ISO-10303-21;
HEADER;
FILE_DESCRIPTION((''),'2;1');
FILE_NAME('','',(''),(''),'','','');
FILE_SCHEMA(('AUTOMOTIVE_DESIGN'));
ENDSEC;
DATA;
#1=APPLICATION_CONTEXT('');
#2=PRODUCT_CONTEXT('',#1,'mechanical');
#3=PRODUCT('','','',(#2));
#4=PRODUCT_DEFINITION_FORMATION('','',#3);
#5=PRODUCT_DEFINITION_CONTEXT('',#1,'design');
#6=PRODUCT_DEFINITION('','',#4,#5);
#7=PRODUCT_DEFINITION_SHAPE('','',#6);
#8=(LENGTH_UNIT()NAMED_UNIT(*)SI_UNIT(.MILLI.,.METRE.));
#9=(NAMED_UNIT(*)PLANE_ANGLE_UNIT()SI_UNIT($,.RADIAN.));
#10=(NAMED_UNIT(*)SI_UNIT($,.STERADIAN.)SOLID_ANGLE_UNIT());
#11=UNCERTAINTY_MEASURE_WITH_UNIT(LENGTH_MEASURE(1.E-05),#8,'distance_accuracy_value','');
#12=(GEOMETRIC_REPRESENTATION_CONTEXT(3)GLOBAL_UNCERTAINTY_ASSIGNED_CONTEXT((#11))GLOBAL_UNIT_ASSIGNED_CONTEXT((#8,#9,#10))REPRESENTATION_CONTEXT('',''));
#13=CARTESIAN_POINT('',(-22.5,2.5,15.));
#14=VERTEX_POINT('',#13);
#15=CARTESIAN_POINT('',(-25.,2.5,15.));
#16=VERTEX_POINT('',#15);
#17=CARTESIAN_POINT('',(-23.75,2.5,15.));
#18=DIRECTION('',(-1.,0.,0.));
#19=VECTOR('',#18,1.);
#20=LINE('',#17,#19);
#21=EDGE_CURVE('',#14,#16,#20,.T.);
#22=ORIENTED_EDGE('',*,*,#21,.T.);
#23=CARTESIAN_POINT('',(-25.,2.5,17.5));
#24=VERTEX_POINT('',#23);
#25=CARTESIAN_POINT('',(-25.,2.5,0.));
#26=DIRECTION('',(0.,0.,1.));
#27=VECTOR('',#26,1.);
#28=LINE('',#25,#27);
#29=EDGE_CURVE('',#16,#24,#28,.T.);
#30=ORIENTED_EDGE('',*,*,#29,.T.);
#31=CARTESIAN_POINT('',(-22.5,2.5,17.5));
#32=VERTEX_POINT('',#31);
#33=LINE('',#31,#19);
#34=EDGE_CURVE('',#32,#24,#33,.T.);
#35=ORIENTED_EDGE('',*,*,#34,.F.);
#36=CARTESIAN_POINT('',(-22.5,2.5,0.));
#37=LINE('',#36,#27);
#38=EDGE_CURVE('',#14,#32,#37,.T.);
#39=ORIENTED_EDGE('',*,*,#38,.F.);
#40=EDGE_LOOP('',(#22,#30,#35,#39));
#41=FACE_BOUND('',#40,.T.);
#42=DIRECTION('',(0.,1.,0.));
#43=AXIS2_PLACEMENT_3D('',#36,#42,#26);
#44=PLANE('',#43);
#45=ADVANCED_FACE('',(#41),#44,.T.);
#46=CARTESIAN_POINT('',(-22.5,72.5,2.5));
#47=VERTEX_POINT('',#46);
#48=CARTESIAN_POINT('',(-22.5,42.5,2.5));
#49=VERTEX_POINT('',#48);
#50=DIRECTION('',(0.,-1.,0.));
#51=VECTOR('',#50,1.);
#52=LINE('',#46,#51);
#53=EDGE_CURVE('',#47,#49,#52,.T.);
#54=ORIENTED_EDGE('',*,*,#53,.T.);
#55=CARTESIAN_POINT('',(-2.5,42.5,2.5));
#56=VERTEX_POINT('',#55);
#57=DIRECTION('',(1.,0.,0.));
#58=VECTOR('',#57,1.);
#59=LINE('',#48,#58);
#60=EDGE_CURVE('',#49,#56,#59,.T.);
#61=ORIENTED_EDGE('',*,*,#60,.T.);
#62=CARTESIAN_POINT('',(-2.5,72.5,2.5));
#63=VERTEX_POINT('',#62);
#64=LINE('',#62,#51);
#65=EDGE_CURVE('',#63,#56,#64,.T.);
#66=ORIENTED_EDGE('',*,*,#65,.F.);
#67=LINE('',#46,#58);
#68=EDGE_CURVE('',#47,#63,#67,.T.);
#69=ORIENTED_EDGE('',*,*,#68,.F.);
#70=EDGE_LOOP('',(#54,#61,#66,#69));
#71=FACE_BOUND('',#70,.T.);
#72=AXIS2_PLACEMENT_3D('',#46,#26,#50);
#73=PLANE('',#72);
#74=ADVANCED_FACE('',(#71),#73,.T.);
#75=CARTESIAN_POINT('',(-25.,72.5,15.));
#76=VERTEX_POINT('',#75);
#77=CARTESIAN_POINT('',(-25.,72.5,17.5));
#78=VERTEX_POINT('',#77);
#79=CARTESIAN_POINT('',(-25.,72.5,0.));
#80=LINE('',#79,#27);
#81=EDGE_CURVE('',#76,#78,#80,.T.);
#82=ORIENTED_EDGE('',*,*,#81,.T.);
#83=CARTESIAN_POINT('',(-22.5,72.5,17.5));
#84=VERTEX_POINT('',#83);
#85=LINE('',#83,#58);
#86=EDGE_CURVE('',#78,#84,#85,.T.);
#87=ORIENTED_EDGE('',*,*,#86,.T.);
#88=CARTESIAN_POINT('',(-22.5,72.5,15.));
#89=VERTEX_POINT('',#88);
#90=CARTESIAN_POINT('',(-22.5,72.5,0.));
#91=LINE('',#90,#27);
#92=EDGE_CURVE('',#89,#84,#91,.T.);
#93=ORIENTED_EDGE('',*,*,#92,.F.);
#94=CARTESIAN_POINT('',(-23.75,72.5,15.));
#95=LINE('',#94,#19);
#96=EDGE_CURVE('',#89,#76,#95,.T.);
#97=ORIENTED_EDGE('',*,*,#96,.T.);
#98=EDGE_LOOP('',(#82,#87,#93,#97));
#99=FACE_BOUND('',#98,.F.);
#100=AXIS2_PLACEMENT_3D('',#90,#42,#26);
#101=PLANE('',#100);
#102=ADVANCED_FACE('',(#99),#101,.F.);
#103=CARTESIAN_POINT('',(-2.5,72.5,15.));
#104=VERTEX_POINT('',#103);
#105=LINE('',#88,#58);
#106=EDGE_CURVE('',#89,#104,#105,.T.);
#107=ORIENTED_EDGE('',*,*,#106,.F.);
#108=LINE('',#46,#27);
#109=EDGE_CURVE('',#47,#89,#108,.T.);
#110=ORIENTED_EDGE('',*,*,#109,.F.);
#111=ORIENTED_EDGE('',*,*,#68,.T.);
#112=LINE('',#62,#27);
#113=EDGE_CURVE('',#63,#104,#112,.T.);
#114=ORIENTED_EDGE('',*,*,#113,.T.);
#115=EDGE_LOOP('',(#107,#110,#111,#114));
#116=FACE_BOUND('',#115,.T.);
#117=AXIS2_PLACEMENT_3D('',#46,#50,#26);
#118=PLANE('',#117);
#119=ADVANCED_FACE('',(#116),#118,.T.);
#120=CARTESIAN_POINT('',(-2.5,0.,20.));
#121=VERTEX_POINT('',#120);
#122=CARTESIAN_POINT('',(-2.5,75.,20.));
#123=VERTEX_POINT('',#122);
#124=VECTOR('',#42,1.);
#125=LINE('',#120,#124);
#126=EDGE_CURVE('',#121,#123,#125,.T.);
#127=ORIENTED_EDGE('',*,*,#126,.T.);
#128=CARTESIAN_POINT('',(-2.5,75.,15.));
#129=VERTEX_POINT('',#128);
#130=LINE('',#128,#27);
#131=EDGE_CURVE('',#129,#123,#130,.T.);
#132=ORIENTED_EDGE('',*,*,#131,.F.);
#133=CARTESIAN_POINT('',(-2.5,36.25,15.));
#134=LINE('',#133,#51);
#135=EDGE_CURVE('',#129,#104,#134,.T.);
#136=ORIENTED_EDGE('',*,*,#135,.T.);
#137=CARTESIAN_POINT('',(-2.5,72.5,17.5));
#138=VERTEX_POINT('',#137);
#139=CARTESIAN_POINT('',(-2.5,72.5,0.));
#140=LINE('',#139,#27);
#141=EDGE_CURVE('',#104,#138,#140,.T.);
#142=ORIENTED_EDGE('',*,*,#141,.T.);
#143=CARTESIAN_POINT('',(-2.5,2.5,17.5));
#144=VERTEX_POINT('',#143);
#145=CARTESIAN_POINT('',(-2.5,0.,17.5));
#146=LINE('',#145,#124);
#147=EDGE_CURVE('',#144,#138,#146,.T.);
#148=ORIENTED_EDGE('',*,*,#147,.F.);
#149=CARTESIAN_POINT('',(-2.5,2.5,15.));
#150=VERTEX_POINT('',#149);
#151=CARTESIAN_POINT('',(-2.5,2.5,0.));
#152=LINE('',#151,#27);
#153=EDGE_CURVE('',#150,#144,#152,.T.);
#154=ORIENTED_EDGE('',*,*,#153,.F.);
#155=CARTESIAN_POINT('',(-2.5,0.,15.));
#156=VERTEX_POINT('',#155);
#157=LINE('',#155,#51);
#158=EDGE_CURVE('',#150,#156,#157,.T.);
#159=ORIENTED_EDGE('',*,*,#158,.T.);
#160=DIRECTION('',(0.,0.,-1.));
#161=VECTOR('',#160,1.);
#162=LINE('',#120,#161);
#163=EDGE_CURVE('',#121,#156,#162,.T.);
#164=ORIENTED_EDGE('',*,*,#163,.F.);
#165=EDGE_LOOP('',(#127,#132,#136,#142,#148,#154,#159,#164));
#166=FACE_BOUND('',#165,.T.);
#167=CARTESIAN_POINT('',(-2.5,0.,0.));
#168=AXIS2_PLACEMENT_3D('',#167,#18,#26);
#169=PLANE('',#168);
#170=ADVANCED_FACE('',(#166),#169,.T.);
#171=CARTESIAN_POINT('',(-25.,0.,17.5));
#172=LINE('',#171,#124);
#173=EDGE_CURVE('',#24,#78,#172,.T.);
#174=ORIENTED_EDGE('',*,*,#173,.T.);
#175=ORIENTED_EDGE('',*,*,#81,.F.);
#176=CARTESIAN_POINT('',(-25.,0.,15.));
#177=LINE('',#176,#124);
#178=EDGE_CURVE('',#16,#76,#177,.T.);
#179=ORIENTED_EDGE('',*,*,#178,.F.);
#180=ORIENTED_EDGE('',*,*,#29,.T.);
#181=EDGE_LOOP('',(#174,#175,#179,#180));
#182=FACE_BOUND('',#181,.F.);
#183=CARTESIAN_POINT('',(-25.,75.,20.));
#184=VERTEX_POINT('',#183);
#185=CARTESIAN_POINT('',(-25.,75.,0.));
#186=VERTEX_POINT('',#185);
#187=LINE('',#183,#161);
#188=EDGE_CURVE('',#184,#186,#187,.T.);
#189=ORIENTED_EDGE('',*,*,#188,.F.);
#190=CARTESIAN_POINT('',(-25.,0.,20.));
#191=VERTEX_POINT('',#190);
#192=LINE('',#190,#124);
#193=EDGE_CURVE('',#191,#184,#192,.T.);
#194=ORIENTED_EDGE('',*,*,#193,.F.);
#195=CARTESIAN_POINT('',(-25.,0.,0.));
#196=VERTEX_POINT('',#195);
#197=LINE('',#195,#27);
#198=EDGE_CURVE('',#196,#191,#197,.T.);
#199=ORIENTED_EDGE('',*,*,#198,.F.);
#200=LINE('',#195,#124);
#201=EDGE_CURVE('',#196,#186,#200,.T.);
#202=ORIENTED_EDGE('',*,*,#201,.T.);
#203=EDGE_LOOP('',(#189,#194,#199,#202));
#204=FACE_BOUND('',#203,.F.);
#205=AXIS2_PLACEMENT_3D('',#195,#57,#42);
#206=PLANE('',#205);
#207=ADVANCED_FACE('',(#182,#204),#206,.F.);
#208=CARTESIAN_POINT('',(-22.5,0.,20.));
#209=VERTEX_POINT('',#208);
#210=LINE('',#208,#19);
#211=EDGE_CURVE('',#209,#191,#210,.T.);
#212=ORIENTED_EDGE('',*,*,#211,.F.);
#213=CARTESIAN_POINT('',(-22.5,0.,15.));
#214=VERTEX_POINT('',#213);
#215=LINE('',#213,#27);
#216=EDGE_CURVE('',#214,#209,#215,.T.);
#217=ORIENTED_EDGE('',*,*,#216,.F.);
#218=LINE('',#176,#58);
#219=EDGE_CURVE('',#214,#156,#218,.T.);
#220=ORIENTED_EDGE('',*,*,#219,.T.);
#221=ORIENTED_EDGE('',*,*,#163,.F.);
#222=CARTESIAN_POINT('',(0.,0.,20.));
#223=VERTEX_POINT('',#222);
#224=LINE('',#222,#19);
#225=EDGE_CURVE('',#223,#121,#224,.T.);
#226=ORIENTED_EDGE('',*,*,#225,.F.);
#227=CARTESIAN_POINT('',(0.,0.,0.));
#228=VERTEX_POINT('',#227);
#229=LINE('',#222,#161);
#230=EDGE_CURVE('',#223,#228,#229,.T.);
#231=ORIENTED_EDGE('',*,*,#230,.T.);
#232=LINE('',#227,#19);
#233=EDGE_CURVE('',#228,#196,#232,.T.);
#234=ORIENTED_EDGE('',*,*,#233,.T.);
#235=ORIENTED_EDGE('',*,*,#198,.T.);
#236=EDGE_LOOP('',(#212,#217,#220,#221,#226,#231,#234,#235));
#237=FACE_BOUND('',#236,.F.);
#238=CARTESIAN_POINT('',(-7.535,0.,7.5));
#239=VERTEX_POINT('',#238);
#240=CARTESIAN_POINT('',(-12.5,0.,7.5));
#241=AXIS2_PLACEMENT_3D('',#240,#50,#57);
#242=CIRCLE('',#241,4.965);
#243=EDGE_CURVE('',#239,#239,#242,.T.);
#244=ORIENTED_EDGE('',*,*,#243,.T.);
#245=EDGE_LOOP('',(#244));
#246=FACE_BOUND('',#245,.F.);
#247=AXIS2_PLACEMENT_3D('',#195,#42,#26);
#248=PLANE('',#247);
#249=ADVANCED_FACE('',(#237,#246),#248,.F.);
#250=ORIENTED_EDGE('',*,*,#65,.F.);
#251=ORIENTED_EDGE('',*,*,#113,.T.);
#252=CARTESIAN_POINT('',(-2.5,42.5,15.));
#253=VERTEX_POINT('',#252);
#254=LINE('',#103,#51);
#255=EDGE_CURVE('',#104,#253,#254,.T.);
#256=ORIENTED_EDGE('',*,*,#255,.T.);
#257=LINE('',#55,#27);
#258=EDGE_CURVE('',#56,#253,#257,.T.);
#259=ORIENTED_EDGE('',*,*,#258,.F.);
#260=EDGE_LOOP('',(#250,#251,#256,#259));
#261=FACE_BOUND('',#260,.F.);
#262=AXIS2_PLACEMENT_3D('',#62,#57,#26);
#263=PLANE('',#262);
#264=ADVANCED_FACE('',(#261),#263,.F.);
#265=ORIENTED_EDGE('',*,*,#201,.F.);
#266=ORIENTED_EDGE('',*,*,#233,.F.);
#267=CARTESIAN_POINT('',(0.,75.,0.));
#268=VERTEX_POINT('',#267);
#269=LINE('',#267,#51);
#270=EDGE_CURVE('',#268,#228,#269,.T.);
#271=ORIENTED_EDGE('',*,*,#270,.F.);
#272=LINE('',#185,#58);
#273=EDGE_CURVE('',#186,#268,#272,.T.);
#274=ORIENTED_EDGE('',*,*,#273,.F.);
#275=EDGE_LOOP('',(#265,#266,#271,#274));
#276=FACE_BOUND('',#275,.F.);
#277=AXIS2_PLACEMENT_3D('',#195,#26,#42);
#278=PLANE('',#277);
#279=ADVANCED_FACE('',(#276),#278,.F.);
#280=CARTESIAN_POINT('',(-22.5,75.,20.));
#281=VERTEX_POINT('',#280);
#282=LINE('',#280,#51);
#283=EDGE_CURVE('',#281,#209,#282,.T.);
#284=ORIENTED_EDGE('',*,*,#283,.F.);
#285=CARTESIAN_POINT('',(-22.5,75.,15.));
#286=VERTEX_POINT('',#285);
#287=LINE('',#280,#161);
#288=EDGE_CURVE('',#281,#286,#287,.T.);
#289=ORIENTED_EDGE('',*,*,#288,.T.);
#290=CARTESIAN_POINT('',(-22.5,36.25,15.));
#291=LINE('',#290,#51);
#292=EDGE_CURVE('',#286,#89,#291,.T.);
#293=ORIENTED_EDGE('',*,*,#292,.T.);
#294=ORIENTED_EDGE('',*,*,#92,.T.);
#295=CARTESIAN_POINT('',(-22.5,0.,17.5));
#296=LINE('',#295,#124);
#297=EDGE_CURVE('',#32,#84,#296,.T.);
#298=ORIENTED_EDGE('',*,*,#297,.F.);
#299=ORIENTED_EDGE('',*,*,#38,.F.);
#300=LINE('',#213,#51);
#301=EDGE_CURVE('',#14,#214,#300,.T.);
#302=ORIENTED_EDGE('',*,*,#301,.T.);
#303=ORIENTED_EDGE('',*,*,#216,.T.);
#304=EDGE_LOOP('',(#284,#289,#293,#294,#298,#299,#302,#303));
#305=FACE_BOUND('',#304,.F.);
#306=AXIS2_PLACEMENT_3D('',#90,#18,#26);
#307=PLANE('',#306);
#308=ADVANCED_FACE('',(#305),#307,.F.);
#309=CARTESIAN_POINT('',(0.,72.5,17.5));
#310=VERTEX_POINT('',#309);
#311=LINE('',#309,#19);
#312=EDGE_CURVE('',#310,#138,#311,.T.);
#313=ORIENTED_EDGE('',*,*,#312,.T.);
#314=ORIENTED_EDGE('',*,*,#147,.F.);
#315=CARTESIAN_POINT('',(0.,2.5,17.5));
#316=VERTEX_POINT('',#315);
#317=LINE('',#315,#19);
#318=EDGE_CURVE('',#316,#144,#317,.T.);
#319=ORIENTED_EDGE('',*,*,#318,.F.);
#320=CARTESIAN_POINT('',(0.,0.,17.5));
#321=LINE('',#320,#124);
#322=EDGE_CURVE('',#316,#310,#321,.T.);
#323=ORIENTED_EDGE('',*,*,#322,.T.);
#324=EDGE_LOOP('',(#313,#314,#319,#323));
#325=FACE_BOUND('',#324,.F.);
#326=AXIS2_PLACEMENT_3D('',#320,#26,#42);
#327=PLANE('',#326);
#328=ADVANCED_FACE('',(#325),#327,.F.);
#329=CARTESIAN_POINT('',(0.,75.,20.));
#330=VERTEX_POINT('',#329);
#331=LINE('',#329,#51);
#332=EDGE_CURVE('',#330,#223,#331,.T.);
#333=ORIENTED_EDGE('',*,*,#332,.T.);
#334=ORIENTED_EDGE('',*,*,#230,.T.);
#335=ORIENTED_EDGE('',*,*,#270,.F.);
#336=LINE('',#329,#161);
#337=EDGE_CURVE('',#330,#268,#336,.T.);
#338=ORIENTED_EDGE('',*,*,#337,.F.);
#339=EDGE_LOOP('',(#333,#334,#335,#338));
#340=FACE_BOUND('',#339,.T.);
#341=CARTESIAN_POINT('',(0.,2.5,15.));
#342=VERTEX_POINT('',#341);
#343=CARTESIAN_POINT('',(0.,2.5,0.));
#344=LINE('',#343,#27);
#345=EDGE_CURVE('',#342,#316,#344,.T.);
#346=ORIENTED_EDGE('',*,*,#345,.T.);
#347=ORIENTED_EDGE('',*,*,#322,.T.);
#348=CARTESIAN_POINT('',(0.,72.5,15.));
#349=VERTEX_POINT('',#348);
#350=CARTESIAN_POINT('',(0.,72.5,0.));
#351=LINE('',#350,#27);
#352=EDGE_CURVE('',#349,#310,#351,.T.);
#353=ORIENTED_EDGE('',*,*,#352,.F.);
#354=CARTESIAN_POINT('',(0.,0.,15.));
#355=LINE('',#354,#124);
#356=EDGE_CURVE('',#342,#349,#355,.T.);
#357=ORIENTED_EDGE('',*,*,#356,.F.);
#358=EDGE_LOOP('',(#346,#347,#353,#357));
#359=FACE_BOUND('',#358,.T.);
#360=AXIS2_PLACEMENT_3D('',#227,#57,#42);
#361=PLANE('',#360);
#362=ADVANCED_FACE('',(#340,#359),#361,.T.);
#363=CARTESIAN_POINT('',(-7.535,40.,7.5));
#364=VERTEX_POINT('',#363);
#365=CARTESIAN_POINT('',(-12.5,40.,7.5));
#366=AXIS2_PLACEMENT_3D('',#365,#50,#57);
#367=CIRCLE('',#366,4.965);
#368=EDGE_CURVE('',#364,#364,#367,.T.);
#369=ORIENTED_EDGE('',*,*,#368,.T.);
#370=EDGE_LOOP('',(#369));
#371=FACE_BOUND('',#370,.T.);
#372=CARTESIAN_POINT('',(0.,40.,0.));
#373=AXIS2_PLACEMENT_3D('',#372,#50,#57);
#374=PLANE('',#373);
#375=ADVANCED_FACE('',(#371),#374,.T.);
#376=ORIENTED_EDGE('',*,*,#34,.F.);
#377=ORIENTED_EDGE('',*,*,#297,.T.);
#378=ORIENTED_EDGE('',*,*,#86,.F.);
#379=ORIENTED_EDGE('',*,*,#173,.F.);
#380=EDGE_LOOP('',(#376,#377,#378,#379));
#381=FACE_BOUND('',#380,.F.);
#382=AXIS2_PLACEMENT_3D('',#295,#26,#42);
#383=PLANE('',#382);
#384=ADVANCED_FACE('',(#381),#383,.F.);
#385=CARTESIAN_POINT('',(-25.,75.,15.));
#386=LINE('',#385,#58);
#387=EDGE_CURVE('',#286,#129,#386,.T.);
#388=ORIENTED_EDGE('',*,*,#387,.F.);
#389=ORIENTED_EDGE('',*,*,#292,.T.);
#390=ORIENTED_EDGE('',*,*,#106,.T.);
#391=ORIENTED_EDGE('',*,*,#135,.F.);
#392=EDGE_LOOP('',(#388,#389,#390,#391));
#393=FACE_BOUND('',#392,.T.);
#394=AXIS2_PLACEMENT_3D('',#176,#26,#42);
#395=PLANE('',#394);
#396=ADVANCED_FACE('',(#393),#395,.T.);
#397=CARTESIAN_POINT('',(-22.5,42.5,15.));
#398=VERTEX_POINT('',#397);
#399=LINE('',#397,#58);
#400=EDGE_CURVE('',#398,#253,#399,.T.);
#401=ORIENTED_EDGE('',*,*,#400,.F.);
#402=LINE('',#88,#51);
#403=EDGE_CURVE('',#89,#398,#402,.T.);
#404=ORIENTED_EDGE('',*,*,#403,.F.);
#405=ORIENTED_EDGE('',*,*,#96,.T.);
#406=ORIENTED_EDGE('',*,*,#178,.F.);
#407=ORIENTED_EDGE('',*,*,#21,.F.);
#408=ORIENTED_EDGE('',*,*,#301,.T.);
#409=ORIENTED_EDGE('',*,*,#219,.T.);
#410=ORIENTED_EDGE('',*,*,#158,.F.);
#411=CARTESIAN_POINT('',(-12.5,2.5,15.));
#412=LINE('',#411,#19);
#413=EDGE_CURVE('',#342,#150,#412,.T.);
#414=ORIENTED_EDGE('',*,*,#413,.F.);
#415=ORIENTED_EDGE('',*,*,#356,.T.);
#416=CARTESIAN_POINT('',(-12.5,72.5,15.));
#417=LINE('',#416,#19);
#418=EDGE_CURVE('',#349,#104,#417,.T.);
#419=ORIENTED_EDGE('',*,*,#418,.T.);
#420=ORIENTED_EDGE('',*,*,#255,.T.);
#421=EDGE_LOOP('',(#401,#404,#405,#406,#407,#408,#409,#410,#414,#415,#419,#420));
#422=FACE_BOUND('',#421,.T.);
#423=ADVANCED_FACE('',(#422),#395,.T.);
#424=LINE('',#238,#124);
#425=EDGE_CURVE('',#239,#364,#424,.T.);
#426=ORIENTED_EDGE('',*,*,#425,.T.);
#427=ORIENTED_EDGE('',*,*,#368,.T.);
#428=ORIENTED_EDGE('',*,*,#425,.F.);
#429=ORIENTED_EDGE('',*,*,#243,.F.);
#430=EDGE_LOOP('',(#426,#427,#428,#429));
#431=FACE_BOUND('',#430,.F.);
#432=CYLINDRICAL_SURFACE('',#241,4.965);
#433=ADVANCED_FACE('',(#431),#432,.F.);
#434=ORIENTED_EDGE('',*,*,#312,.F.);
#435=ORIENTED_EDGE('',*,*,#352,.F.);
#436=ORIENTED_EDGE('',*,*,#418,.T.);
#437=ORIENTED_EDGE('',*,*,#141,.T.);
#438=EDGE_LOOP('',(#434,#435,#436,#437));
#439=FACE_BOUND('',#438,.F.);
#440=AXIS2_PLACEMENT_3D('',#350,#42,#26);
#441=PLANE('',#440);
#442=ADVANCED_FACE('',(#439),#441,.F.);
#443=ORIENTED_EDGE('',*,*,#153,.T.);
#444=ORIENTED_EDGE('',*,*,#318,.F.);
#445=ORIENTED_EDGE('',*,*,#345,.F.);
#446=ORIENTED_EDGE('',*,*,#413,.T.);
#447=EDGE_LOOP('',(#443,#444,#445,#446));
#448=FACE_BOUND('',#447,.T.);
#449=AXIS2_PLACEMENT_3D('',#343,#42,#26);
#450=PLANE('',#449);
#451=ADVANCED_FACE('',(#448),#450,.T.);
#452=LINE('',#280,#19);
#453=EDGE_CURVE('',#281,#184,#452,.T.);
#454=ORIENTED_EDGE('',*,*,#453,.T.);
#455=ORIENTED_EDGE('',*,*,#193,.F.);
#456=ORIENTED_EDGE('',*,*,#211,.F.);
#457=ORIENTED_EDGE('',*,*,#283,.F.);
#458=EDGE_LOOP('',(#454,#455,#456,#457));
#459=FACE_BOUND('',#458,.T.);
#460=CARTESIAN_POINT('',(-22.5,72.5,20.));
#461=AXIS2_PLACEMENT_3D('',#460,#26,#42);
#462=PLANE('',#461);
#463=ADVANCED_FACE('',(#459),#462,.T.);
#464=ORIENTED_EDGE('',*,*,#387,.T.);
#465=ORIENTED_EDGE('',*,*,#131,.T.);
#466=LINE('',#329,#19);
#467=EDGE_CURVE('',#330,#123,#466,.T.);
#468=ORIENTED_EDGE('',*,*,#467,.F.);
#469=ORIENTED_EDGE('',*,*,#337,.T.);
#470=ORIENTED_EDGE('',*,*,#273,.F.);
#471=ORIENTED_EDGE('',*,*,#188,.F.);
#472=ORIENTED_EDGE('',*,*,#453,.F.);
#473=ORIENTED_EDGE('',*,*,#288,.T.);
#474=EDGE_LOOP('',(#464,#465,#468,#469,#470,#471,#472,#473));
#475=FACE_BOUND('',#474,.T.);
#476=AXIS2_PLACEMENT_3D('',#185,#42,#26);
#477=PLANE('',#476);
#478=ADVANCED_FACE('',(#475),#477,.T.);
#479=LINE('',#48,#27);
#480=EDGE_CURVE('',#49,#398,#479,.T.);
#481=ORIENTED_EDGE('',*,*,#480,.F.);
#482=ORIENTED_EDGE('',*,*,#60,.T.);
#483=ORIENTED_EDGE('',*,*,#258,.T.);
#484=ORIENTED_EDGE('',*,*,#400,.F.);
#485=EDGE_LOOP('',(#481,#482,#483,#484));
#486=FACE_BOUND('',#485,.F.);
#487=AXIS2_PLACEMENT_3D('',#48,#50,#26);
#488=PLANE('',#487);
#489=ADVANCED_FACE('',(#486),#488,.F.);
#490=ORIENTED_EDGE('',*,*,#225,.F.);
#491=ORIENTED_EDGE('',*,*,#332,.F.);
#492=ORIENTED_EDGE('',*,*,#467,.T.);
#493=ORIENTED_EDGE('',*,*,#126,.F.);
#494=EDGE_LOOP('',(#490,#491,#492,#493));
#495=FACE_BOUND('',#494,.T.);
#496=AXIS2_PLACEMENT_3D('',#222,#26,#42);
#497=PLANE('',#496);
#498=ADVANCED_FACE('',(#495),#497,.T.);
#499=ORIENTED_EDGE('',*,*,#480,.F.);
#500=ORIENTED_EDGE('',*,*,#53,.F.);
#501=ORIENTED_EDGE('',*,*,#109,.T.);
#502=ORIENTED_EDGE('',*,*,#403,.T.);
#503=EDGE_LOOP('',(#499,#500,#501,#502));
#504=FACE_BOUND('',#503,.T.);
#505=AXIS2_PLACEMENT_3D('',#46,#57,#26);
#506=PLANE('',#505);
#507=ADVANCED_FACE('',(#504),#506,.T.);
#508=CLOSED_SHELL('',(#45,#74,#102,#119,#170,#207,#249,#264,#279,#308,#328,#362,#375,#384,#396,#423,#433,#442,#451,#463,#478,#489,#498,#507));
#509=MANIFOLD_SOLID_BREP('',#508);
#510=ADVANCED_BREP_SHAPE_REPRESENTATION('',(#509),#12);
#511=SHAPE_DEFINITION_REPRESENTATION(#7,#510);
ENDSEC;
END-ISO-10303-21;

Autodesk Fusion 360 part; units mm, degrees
sketch "Sketch2" plane through (0, 0, 0) normal (0, -1, 0) x (1, 0, 0)
  line L0 (-25, 15) -> (-25, 0)
  line L1 (-25, 0) -> (0, 0)
  line L2 (0, 0) -> (0, 15)
  line L3 (0, 15) -> (-25, 15)
  circle A0 centre (-12.5, 7.5) radius 4.965
  dimension "d7" = 9.93
box "BoxPrimitive2" add length 15 width 25 height 75 placed x (0, 0, 1) y (1, 0, 0) z (0, 1, 0) at (-25, 0, 0) makes body 1
extrude "Extrude1" cut sketch "Sketch2" against normal blind 40 contours A0 bodies 1
box "BoxPrimitive3" add length 30 width 20 height 12.5 placed x (0, -1, 0) y (1, 0, 0) z (0, 0, 1) at (-25, 75, 0) separate body makes body 2
move_body "Move1" bodies 2 to x (1, 0, 0) y (0, 1, 0) z (0, 0, 1) at (2.5, -2.5, 2.5)
combine "Combine1" operation cut target body 1 tool bodies 2
box "BoxPrimitive4" add length 2.5 width 2.5 height 20 placed x (0, 1, 0) y (-1, 0, 0) z (0, 0, 1) at (0, 0, 0) separate body makes body 3
copy_body "CopyPasteBodies1" bodies 3 makes body 4
move_body "Move2" bodies 4 to x (1, 0, 0) y (0, 1, 0) z (0, 0, 1) at (-22.5, 0, 0)
copy_body "CopyPasteBodies2" bodies 3 4 makes body 5 makes body 6
move_body "Move3" bodies 5 6 to x (1, 0, 0) y (0, 1, 0) z (0, 0, 1) at (0, 72.5, 0)
box "BoxPrimitive5" add length 75 width 2.5 height 2.5 placed x (0, 1, 0) y (-1, 0, 0) z (0, 0, 1) at (0, 0, 0) separate body makes body 7
move_body "Move4" bodies 7 to x (1, 0, 0) y (0, 1, 0) z (0, 0, 1) at (0, 0, 17.5)
copy_body "CopyPasteBodies3" bodies 7 makes body 8
move_body "Move5" bodies 8 to x (1, 0, 0) y (0, 1, 0) z (0, 0, 1) at (-22.5, 0, 0)
combine "Combine2" operation add target body 1 tool bodies 6 8 7 3 5 4
